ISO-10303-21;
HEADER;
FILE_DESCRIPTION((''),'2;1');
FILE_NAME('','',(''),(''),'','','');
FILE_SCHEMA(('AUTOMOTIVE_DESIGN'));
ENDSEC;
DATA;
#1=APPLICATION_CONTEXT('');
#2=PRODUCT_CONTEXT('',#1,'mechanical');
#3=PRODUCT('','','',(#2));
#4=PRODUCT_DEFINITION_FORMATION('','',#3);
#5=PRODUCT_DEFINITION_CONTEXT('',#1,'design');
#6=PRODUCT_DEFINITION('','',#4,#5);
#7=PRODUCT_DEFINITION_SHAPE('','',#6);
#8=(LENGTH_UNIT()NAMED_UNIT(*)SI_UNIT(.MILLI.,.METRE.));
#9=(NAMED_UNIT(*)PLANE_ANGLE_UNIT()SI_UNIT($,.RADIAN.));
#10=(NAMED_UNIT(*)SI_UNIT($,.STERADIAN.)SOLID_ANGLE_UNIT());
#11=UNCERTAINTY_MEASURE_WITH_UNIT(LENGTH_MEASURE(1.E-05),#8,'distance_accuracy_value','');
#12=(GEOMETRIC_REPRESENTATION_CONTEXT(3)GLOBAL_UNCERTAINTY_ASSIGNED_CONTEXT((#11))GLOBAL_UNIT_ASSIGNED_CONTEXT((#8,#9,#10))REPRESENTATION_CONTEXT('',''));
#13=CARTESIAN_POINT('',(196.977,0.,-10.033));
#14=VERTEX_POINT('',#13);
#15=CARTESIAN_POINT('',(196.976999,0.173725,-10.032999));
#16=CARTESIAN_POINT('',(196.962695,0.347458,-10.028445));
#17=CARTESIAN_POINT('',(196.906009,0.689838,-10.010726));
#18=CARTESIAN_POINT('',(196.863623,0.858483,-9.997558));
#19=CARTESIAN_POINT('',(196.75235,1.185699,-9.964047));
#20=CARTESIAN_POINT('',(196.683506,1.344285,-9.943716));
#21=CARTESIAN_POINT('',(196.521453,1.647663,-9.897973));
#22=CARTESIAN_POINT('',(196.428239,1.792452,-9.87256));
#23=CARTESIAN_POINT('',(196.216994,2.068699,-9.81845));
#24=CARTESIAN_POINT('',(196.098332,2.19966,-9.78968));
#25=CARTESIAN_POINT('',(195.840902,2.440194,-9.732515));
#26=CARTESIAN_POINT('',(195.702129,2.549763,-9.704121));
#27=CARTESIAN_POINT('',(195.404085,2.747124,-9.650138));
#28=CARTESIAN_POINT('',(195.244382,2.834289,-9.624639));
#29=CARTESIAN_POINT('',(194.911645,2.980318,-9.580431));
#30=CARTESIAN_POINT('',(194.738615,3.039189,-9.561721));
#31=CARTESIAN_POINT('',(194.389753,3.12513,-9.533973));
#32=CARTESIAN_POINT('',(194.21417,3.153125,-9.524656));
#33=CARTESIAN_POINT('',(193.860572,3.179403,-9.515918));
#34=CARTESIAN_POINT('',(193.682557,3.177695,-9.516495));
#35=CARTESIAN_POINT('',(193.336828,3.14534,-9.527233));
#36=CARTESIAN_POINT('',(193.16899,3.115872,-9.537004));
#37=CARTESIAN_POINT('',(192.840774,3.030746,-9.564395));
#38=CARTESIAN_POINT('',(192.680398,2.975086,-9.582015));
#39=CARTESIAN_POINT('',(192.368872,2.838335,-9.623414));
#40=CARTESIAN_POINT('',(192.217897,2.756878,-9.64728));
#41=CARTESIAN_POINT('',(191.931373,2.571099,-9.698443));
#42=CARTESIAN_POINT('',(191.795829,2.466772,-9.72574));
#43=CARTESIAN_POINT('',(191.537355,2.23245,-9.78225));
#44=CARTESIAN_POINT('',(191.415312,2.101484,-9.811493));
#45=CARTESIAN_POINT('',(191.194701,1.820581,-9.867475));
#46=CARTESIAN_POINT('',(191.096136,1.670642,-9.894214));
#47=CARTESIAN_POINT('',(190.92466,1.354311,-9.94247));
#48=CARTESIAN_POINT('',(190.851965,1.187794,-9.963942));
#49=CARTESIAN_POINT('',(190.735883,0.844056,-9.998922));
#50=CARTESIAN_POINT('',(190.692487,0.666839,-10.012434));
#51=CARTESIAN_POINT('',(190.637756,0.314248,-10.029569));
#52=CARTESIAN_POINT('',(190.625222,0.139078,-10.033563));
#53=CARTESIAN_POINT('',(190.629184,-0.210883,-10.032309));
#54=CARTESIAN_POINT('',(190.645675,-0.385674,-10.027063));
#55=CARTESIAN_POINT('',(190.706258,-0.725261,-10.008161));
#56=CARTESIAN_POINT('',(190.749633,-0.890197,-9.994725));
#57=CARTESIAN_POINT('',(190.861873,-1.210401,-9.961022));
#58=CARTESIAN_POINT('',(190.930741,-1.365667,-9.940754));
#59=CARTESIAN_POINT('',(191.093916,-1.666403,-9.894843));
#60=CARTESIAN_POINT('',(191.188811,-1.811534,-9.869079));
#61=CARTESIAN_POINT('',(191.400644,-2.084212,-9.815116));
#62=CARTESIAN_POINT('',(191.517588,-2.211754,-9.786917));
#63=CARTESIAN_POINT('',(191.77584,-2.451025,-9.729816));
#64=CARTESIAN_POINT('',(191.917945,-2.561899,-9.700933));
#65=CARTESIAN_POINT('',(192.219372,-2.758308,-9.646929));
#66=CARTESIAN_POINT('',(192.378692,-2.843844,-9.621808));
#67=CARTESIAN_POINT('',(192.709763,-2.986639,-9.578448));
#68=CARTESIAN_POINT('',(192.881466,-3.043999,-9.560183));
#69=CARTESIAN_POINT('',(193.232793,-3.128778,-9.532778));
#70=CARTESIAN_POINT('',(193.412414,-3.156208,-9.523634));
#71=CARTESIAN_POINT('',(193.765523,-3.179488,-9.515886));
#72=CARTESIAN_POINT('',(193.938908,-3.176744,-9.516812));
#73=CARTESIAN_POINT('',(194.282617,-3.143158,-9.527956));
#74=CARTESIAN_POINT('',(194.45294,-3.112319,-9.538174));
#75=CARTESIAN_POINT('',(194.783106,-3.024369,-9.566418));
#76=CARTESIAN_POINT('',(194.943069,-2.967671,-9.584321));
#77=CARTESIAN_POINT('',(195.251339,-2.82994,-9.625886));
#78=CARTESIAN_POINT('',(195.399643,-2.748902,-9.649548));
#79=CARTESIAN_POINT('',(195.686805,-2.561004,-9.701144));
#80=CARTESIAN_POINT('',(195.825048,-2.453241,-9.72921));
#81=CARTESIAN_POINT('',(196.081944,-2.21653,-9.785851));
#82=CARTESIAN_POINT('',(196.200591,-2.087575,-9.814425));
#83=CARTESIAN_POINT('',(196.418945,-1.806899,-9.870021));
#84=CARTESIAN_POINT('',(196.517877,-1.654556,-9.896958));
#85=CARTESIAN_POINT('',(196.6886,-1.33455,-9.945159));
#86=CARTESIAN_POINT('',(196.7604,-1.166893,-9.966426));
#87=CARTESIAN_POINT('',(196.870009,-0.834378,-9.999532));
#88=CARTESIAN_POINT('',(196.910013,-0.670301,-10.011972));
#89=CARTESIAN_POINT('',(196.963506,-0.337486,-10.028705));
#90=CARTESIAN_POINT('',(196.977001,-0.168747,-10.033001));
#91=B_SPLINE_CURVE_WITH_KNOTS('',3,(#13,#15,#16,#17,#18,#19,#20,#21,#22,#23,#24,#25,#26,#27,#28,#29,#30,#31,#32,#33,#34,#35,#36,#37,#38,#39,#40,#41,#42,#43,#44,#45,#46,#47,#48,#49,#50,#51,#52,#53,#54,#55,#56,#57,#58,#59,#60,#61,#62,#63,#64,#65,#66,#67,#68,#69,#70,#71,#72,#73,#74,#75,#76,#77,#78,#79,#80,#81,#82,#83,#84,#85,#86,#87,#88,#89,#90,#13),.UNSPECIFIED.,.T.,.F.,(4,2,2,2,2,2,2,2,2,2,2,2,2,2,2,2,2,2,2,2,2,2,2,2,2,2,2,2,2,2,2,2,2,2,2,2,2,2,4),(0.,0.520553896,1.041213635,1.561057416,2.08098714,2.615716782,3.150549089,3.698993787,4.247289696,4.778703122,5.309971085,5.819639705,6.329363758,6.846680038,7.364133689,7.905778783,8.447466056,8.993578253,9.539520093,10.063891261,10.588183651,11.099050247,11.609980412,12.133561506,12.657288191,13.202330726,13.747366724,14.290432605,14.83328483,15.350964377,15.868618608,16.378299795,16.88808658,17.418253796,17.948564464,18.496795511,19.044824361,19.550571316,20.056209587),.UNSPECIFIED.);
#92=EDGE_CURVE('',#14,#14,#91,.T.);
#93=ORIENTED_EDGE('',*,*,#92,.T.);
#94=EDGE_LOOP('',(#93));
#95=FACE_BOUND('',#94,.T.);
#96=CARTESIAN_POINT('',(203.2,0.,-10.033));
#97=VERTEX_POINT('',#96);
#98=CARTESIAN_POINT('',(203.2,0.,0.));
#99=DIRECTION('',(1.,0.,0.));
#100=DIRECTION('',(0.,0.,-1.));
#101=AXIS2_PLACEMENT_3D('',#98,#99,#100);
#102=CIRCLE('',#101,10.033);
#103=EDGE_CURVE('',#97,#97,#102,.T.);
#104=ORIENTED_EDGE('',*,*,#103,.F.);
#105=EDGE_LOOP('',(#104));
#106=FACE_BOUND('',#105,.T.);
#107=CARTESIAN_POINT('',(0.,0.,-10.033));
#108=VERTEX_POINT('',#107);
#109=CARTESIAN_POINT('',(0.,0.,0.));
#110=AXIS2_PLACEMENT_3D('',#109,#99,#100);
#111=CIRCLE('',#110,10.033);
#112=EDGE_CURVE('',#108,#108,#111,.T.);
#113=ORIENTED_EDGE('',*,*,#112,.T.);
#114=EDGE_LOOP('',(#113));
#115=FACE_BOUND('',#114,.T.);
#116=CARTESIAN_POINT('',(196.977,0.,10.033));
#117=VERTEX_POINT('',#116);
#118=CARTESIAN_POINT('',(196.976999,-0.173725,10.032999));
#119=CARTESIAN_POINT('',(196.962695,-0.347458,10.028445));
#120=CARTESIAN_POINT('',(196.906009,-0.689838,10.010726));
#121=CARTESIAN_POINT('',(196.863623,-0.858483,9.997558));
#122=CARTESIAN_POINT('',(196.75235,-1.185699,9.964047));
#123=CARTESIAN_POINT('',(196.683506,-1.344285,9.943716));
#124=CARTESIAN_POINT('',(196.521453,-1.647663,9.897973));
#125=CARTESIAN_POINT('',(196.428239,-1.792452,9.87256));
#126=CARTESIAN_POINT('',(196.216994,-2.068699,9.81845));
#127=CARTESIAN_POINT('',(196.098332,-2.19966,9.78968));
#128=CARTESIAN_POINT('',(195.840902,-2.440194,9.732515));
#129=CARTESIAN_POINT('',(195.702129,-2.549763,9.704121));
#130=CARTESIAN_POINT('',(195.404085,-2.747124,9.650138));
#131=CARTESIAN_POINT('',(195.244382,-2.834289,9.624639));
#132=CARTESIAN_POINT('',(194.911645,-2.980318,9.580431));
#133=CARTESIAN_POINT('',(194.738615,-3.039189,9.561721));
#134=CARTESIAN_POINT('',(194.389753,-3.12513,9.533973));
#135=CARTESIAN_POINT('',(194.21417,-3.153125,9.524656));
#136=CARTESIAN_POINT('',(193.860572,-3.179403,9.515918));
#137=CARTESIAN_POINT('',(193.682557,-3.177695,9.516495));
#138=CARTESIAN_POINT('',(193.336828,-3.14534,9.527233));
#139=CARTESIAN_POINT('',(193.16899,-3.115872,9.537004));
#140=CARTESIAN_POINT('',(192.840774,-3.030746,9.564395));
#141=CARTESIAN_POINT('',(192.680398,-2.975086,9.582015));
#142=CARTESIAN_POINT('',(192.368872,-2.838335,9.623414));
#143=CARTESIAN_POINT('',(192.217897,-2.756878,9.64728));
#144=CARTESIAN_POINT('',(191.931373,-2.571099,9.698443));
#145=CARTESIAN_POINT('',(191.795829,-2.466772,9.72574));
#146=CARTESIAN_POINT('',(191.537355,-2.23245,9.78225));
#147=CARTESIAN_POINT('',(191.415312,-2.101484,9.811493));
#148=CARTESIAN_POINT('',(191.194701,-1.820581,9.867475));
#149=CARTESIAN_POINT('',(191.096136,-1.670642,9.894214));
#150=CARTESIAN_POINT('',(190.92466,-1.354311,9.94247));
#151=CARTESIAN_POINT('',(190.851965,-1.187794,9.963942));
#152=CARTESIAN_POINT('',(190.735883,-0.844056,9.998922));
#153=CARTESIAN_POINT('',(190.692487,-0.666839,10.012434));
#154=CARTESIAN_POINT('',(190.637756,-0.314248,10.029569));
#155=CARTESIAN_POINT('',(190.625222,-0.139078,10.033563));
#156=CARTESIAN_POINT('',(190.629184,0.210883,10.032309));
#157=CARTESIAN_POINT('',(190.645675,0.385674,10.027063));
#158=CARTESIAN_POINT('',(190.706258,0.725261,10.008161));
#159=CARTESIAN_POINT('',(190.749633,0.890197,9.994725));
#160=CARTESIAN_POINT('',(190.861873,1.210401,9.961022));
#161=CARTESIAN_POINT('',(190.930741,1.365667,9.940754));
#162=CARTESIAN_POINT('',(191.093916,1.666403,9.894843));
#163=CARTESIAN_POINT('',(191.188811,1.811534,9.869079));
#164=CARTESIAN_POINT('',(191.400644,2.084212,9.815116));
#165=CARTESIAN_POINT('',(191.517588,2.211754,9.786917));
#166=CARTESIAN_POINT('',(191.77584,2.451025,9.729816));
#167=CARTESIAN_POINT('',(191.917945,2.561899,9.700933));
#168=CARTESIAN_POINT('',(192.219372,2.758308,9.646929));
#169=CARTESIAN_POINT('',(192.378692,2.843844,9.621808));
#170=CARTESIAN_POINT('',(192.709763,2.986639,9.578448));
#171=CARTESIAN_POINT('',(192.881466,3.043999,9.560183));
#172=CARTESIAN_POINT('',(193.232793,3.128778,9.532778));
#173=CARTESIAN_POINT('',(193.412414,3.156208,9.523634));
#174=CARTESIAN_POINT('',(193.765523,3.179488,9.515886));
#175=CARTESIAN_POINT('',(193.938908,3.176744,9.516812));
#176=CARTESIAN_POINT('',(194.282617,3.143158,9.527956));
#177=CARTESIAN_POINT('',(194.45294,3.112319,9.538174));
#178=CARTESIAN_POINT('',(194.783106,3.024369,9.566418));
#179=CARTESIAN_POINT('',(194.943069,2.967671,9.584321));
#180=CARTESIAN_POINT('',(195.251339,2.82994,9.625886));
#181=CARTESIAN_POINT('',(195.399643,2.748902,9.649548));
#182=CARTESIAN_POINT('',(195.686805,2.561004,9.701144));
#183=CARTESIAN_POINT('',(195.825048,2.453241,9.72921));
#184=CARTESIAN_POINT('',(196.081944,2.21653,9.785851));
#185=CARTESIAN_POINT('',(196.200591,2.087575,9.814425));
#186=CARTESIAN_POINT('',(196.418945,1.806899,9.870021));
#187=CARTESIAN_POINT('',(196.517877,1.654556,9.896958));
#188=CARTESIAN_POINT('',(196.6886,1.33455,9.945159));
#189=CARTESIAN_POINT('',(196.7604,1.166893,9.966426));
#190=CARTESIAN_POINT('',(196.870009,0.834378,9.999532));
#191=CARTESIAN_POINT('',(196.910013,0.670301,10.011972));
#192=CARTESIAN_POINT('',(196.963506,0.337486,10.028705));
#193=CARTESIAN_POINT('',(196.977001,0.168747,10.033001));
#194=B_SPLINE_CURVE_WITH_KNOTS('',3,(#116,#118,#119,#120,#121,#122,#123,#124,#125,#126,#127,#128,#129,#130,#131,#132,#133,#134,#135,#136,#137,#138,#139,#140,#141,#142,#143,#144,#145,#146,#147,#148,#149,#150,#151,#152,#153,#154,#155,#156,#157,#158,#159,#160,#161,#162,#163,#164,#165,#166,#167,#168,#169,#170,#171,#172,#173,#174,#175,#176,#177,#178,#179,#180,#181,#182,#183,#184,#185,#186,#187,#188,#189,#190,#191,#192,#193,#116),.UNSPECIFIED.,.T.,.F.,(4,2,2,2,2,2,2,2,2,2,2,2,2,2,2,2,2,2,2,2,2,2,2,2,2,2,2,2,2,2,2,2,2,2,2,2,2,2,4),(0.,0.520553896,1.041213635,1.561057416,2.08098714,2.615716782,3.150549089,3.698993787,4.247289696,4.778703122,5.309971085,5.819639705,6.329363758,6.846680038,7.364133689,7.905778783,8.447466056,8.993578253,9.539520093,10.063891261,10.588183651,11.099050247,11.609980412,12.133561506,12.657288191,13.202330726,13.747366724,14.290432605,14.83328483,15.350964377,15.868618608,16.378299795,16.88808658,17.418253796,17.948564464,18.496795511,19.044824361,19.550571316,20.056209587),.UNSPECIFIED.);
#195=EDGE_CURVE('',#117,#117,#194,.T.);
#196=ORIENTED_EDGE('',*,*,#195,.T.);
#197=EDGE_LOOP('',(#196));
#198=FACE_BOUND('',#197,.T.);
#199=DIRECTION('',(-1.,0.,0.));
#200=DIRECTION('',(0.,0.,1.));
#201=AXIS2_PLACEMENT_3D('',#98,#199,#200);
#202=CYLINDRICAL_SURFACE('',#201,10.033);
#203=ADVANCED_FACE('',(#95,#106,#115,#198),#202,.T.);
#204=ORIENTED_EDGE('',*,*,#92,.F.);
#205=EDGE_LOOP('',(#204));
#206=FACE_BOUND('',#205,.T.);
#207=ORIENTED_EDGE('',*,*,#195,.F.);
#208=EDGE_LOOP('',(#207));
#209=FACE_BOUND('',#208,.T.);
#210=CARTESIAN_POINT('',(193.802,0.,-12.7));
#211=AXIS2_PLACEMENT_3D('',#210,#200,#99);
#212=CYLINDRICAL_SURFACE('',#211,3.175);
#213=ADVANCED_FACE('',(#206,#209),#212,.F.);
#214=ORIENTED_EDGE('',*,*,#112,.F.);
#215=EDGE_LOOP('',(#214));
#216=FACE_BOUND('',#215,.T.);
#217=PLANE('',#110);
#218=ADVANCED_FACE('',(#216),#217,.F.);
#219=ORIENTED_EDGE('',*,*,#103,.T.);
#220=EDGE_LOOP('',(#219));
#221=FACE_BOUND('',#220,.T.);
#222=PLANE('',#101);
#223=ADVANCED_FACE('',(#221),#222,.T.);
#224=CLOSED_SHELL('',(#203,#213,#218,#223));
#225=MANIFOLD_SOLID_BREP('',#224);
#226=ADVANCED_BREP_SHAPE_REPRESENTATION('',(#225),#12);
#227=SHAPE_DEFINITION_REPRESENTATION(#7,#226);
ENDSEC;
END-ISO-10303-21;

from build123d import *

# Parameters (mm, degrees)
SKETCH1_R           = 10.033
BOSS_EXTRUDE1_DEPTH = 203.2
SKETCH2_R           = 3.175
CUT_EXTRUDE1_DEPTH  = 12.7


with BuildPart() as part:
    # Sketch1 → Boss-Extrude1 (new body)
    with BuildSketch(Plane(origin=(0, 0, 0), x_dir=(0, 0, -1), z_dir=(1, 0, 0))):
        Circle(SKETCH1_R)
    extrude(amount=BOSS_EXTRUDE1_DEPTH)

    # Sketch2 → Cut-Extrude1 (cut, symmetric)
    with BuildSketch(Plane.XY):
        with Locations((193.802, 0)):
            Circle(SKETCH2_R)
    extrude(amount=CUT_EXTRUDE1_DEPTH, both=True, mode=Mode.SUBTRACT)


solid = part.part
